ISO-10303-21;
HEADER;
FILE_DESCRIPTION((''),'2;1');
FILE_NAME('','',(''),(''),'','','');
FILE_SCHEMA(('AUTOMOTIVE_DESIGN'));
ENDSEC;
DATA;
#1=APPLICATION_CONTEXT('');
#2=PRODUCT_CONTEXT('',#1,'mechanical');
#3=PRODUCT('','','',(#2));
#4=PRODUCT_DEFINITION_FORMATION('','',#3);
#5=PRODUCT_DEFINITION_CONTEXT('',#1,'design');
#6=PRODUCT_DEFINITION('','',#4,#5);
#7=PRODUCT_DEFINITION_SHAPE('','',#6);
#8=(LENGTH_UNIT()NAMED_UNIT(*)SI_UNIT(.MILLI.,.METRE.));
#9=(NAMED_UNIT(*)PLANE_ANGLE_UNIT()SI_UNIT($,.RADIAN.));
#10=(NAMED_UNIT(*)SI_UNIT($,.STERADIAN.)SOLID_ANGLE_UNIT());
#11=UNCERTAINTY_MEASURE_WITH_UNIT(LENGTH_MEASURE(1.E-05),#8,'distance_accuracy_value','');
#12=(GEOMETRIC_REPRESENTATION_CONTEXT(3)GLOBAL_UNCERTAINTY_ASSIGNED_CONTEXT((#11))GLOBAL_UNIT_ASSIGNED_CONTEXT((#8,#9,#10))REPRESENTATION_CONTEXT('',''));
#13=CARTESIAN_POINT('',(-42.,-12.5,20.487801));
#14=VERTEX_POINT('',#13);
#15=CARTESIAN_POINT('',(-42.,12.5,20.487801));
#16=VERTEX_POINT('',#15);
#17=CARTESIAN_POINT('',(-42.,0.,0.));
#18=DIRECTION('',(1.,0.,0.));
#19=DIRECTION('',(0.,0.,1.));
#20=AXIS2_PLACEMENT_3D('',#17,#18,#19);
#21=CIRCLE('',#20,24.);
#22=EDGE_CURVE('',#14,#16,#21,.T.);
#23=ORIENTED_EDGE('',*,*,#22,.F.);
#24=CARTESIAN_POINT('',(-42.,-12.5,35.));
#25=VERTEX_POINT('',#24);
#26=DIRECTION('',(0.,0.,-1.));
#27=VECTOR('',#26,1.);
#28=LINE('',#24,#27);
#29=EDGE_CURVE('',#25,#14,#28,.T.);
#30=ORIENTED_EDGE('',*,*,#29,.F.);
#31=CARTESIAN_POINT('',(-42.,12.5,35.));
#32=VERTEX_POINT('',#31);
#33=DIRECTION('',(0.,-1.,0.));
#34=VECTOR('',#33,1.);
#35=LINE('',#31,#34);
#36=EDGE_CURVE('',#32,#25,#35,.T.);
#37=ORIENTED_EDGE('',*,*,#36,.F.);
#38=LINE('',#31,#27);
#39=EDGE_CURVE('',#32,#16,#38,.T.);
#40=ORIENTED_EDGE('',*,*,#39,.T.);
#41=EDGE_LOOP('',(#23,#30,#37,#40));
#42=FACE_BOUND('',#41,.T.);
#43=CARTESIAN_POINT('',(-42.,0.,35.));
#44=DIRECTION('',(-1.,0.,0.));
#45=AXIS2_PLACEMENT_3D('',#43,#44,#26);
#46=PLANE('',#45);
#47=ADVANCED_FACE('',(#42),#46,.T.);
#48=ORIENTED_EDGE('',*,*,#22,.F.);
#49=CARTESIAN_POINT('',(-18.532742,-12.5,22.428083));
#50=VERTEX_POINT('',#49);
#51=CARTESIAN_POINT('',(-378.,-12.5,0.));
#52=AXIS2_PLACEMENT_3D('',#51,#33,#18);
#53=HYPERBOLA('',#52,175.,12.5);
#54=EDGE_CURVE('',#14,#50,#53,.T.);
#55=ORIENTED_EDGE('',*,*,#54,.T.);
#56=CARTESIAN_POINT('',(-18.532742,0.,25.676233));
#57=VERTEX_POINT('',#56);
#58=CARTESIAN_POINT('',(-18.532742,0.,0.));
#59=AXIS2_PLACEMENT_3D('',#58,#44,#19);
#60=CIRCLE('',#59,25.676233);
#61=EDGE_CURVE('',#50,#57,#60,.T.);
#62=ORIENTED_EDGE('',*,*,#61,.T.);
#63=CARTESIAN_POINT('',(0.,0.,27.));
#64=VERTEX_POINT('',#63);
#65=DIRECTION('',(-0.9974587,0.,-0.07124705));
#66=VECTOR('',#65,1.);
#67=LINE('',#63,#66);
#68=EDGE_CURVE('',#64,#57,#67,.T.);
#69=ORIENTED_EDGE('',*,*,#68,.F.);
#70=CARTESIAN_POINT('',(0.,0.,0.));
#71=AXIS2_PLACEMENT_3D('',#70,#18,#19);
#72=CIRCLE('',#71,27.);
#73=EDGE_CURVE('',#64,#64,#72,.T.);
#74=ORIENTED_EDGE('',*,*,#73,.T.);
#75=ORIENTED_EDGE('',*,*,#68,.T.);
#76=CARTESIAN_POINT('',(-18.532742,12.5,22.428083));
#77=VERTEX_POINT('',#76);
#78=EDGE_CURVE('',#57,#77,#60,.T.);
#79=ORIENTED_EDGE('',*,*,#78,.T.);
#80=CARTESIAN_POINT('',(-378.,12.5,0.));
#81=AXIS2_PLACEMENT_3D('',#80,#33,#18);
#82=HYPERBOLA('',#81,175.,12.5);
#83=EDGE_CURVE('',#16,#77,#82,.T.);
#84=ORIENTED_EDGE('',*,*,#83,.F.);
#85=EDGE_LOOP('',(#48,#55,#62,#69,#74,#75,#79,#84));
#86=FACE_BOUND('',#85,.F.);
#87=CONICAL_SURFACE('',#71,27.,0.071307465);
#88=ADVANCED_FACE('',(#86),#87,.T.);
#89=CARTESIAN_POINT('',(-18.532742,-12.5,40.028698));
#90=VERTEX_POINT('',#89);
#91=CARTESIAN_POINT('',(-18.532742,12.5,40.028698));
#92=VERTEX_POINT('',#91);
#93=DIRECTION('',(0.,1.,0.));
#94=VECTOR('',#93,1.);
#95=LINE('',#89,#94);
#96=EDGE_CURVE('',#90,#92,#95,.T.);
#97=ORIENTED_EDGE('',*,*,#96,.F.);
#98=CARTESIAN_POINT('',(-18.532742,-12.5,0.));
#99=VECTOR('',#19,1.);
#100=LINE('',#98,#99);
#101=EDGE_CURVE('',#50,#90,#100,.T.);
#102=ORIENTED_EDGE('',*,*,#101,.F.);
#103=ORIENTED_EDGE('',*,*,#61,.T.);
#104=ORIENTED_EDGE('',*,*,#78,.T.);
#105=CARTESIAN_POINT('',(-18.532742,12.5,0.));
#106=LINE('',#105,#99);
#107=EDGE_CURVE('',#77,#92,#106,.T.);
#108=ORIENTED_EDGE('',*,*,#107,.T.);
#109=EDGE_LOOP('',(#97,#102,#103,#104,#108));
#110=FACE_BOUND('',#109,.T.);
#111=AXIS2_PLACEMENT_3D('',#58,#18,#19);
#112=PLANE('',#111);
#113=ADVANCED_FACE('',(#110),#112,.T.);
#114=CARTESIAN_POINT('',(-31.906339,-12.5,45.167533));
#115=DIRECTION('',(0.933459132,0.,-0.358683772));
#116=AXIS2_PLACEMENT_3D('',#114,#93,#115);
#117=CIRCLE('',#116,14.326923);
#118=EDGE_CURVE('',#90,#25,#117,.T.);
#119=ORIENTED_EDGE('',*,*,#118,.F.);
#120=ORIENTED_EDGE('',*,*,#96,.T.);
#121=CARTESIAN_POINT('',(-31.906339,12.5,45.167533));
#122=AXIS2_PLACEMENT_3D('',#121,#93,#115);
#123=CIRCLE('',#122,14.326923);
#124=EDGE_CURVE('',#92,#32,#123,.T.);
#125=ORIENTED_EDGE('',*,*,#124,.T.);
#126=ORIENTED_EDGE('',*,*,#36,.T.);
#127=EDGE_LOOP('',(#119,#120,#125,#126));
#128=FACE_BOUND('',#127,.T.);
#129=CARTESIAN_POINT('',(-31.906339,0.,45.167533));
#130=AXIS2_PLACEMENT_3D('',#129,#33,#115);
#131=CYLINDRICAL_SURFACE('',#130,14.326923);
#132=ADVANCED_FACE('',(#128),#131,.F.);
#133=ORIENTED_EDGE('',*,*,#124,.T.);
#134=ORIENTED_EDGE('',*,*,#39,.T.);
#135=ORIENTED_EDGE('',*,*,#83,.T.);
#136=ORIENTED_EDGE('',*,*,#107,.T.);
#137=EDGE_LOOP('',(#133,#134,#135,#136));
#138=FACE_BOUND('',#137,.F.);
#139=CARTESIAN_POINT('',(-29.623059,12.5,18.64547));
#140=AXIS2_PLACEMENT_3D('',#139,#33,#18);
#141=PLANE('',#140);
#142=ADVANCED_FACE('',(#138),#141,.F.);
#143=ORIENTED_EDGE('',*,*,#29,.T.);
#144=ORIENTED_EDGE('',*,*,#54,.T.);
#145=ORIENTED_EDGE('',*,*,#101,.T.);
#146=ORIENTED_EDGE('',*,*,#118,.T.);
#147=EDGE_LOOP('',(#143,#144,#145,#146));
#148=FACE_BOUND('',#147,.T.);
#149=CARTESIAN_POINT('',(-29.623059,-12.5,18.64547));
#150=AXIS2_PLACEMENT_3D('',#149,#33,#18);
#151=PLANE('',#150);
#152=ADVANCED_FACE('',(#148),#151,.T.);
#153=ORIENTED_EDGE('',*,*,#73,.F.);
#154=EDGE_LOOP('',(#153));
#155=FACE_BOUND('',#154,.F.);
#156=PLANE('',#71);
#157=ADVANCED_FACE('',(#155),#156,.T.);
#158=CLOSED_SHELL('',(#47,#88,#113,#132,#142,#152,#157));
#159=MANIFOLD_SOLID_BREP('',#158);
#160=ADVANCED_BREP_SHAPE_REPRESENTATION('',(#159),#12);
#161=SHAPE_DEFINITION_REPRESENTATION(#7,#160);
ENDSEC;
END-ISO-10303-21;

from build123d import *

# Parameters (mm, degrees)
F3_DEPTH = 12.5


with BuildPart() as f1:
    # F0 (on Front) → F1 (revolve)
    with BuildSketch(Plane.XZ):
        Polygon((0, 0), (0, 27), (-42, 24), (-42, 0), align=None)
    revolve(axis=Axis((-21, 0, 0), (1, 0, 0)))

    # F2 (on Front) → F3 (join, symmetric)
    with BuildSketch(Plane.XZ):
        with BuildLine():
            ThreePointArc((-18.532742, 40.028698), (-28.904432, 31.158633), (-42, 35))
            Line((-42, 35), (-42, 0))
            Line((-42, 0), (-18.532742, 0))
            Line((-18.532742, 0), (-18.532742, 40.028698))
        make_face()
    extrude(amount=F3_DEPTH, both=True)


solid = f1.part
